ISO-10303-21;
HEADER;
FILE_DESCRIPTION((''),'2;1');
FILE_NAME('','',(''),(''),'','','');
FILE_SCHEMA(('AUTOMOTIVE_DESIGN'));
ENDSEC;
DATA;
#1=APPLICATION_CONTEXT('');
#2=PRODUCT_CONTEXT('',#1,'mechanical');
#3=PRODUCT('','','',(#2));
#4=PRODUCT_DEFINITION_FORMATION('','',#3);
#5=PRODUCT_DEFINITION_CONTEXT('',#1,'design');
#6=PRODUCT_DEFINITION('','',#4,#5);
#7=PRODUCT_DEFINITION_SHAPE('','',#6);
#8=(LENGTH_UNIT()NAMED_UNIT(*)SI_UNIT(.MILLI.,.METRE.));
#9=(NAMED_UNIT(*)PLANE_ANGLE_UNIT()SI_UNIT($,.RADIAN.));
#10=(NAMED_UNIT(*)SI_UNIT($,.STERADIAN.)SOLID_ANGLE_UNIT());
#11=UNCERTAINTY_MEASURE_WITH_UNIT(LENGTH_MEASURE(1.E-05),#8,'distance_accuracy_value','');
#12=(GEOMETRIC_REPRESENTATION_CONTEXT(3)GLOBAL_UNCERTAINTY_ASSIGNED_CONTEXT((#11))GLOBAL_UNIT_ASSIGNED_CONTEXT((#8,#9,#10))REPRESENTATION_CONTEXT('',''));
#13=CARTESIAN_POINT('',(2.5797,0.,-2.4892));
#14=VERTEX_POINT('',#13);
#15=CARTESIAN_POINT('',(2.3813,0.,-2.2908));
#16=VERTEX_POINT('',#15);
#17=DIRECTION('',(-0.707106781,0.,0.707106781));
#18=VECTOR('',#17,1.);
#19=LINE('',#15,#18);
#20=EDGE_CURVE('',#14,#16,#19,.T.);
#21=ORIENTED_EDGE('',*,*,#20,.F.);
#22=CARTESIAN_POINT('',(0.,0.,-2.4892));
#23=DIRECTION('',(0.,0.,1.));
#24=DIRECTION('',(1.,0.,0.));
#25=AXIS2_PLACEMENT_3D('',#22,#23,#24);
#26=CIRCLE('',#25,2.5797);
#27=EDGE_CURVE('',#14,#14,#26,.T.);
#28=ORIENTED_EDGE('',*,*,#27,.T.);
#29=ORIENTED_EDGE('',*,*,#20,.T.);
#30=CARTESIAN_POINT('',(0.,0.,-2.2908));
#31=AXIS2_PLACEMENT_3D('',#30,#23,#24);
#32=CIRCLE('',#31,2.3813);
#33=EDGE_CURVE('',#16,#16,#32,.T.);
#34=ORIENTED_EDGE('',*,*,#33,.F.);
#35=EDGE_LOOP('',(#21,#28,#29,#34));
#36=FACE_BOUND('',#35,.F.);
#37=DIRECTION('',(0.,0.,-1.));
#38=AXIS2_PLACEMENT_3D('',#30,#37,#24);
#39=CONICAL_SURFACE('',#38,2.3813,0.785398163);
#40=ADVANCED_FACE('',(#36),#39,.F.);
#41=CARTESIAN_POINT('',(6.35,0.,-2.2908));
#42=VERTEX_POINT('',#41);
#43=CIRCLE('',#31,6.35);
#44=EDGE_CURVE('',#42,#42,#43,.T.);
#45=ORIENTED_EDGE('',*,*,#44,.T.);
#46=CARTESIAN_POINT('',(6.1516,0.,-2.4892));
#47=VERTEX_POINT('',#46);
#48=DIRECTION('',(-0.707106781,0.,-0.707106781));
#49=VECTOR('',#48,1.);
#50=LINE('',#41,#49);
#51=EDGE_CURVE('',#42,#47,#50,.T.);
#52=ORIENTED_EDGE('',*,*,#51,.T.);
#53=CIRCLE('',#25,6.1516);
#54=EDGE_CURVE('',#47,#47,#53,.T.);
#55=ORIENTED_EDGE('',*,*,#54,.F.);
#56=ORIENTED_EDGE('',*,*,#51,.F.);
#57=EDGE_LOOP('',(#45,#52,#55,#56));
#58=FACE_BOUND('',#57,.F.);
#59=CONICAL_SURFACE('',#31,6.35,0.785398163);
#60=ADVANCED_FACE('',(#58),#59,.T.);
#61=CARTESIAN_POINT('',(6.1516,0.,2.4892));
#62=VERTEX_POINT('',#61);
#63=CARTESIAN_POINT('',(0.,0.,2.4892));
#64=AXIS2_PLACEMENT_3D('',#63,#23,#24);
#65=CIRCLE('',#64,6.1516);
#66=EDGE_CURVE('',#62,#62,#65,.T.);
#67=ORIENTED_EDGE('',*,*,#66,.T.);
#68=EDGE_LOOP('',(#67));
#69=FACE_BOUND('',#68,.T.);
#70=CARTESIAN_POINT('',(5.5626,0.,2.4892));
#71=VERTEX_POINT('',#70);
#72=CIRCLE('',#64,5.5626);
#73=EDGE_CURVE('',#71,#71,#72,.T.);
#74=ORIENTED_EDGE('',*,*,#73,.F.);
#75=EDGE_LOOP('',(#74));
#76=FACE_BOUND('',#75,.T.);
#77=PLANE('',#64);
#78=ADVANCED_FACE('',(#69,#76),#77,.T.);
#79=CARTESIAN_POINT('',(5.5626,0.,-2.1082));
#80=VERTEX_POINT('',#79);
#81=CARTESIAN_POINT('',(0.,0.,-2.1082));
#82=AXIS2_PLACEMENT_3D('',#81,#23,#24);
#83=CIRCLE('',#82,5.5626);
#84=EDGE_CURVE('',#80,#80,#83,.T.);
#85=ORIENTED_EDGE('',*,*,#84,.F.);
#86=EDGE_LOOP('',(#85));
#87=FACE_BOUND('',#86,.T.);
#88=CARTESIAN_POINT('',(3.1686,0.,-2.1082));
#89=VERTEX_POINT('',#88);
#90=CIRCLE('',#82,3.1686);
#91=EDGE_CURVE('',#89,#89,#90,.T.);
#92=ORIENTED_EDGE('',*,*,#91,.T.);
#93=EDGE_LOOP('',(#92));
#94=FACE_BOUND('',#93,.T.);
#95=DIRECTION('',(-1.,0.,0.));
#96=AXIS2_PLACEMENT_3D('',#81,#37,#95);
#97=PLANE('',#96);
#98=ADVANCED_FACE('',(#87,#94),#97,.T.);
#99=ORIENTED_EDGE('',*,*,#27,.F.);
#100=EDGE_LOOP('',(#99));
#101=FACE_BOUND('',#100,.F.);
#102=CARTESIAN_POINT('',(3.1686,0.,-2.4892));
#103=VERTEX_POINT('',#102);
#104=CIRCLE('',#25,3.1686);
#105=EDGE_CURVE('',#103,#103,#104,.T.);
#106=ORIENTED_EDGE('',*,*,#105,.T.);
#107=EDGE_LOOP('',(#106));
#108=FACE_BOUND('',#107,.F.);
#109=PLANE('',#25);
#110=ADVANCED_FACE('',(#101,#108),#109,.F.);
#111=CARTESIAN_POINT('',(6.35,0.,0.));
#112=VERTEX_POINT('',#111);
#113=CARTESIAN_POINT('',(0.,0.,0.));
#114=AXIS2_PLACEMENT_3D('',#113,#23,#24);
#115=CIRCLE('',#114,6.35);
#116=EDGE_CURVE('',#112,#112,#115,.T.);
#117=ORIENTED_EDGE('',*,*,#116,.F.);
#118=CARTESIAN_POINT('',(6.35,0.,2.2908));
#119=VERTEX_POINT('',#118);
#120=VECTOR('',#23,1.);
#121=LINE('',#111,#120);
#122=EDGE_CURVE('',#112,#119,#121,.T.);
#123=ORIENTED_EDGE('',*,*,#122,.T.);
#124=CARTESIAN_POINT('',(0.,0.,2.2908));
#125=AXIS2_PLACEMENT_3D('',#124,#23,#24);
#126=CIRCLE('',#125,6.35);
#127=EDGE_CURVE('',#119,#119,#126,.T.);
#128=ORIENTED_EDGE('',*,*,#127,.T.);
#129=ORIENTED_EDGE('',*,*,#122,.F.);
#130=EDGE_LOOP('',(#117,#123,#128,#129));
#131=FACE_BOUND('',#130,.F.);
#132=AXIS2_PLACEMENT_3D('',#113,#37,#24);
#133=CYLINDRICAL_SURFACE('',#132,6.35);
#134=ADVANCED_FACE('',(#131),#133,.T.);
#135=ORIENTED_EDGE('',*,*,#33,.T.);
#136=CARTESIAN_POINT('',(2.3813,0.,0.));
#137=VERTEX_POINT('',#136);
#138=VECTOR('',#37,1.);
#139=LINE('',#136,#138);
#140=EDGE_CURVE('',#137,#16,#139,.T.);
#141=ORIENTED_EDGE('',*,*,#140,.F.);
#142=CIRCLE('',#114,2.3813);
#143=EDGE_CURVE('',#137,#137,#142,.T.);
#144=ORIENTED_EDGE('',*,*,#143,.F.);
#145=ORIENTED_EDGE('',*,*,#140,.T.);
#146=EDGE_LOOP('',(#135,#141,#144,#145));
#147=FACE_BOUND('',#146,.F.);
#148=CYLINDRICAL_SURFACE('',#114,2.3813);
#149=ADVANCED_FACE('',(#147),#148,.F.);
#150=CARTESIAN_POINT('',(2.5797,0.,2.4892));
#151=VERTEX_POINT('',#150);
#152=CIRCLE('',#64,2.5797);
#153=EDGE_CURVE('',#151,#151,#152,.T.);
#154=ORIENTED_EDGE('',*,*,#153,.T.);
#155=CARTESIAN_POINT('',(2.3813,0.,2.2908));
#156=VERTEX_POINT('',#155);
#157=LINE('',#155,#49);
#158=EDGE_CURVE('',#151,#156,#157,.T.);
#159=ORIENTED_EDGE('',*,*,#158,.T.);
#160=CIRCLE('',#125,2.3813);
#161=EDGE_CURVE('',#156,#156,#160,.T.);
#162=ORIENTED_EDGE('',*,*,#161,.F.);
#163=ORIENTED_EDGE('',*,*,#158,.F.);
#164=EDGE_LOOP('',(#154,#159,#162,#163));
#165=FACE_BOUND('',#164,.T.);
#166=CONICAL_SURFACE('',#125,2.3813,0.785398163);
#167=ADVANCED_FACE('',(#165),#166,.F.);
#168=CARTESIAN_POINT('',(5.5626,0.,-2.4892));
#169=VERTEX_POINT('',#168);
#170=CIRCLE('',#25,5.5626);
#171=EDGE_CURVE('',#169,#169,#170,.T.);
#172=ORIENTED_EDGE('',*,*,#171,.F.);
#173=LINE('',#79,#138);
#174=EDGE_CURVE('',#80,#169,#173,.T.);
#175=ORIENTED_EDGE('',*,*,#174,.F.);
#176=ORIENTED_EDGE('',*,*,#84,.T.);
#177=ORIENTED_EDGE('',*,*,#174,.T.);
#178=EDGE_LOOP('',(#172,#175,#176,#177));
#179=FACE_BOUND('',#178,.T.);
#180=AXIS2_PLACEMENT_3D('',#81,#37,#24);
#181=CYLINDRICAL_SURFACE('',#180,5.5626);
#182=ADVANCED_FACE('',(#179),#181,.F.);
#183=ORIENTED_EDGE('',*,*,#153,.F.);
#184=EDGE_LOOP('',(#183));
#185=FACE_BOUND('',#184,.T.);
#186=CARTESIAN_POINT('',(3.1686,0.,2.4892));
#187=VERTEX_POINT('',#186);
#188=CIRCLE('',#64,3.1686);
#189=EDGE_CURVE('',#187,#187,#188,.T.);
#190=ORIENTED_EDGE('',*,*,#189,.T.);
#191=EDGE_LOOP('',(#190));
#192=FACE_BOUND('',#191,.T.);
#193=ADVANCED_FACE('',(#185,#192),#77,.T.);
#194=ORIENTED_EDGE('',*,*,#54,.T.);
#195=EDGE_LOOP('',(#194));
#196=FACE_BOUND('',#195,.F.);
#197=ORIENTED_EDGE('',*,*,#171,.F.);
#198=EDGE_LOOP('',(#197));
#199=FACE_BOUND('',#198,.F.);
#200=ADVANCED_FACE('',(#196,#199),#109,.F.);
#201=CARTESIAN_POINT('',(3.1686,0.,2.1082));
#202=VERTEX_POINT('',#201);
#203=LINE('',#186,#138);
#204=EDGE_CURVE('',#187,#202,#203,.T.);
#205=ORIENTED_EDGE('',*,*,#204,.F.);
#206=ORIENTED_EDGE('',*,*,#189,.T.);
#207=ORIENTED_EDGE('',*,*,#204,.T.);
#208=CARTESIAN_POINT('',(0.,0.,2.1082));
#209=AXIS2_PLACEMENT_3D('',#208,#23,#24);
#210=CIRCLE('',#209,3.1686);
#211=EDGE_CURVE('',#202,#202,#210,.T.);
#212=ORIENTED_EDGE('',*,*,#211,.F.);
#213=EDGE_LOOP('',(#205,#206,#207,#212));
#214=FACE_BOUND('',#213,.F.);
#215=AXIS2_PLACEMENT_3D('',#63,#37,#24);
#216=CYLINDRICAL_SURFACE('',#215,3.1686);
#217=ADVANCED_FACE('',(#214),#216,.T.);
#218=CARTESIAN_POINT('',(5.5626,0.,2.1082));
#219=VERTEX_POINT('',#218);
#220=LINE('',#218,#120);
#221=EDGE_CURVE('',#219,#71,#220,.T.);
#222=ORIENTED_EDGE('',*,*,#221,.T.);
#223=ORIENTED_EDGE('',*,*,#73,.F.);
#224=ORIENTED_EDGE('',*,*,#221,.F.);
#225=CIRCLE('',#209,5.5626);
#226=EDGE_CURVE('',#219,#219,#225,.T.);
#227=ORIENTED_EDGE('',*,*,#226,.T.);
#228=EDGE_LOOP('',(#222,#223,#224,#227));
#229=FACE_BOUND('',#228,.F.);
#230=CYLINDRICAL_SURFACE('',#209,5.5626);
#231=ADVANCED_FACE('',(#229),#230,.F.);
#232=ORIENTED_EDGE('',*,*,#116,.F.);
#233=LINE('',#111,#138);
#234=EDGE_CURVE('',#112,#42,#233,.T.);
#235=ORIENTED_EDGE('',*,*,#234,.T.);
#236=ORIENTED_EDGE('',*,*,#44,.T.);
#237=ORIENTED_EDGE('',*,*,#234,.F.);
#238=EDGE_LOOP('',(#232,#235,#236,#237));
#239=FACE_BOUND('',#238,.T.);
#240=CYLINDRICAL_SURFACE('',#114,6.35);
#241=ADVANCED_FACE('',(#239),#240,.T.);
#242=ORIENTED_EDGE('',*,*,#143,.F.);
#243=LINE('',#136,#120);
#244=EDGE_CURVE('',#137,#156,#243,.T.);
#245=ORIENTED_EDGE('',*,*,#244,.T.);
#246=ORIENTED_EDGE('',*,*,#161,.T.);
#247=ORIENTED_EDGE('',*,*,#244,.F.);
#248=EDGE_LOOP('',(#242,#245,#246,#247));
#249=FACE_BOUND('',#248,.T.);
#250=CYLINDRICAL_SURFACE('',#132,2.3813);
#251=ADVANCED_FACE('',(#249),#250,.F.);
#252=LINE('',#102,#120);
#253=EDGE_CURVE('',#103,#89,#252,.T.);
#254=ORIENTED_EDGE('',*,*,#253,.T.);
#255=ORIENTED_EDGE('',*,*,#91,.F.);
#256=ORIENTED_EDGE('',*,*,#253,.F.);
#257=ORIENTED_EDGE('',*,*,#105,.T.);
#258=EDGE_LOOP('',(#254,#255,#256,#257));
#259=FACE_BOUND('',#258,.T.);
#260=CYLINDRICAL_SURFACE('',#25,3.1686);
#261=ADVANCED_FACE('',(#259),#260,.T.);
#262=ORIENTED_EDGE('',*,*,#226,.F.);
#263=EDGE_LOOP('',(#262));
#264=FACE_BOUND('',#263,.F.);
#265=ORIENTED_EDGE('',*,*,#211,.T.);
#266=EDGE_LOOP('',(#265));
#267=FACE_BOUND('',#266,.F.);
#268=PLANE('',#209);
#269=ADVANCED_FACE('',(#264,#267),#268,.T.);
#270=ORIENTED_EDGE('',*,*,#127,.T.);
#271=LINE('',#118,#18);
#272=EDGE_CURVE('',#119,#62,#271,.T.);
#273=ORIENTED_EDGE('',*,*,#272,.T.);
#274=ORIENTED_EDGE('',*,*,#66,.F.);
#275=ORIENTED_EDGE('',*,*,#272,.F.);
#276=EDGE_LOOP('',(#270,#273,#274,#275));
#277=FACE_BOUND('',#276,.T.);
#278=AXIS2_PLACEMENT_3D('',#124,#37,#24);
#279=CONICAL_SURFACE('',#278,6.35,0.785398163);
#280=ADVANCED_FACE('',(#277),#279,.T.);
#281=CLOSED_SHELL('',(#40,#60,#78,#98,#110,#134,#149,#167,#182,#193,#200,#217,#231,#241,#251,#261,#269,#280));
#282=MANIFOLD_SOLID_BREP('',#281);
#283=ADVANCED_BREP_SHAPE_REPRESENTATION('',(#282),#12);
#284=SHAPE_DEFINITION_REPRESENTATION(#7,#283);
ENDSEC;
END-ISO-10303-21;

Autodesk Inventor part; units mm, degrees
ref_plane "YZ Plane" through (0, 0, 0) normal (1, 0, 0) x (0, 1, 0)
ref_plane "XZ Plane" through (0, 0, 0) normal (0, 1, 0) x (-1, 0, 0)
ref_plane "XY Plane" through (0, 0, 0) normal (0, 0, 1) x (1, 0, 0)
sketch "Sketch1" plane through (0, 0, 0) normal (0, 0, 1) x (1, 0, 0)
  circle A0 centre (0, 0) radius 2.3813
  circle A1 centre (0, 0) radius 6.35
  dimension "d0" = 4.7625
  dimension "d1" = 12.7
extrude "Extrusion1" add sketch "Sketch1" along normal mid plane 4.9784
chamfer "Chamfer1" distance 0.1984 angle 45 4 edges at (-6.35, 0, 2.4892) (-2.3813, 0, 2.4892) (-6.35, 0, -2.4892) (-2.3813, 0, -2.4892)
sketch "Sketch2" plane through (0, 0, 0) normal (0, 1, 0) x (-1, 0, 0)
  line L0 (-6.1516, 2.4892) -> (6.1516, 2.4892) projected
  line L1 (2.5797, 2.4892) -> (-2.5797, 2.4892) projected
  line L2 (-5.5626, 2.4892) -> (-3.1686, 2.4892)
  line L3 (-3.1686, 2.4892) -> (-3.1686, 2.1082)
  line L4 (-3.1686, 2.1082) -> (-5.5626, 2.1082)
  line L5 (-5.5626, 2.1082) -> (-5.5626, 2.4892)
  line L6 (-6.35, -2.2908) -> (-6.35, 2.2908) projected
  line L7 (-2.3813, -2.2908) -> (-2.3813, 2.2908) projected
  line L8 (0, 0) -> (0, 3.7082)
  dimension "d7" = 0.381
  dimension "d8" = 0.7874
  dimension "d9" = 0.7874
revolve "Revolution1" cut sketch "Sketch2" angle 360 about axis through (0, 0, 0) along (0, 0, 1)
mirror "Mirror1" about plane through (0, 0, 0) normal (0, 0, 1) of "Revolution1"
equation "\"d9\" = d8"
properties part number "Homemade_bearing"
